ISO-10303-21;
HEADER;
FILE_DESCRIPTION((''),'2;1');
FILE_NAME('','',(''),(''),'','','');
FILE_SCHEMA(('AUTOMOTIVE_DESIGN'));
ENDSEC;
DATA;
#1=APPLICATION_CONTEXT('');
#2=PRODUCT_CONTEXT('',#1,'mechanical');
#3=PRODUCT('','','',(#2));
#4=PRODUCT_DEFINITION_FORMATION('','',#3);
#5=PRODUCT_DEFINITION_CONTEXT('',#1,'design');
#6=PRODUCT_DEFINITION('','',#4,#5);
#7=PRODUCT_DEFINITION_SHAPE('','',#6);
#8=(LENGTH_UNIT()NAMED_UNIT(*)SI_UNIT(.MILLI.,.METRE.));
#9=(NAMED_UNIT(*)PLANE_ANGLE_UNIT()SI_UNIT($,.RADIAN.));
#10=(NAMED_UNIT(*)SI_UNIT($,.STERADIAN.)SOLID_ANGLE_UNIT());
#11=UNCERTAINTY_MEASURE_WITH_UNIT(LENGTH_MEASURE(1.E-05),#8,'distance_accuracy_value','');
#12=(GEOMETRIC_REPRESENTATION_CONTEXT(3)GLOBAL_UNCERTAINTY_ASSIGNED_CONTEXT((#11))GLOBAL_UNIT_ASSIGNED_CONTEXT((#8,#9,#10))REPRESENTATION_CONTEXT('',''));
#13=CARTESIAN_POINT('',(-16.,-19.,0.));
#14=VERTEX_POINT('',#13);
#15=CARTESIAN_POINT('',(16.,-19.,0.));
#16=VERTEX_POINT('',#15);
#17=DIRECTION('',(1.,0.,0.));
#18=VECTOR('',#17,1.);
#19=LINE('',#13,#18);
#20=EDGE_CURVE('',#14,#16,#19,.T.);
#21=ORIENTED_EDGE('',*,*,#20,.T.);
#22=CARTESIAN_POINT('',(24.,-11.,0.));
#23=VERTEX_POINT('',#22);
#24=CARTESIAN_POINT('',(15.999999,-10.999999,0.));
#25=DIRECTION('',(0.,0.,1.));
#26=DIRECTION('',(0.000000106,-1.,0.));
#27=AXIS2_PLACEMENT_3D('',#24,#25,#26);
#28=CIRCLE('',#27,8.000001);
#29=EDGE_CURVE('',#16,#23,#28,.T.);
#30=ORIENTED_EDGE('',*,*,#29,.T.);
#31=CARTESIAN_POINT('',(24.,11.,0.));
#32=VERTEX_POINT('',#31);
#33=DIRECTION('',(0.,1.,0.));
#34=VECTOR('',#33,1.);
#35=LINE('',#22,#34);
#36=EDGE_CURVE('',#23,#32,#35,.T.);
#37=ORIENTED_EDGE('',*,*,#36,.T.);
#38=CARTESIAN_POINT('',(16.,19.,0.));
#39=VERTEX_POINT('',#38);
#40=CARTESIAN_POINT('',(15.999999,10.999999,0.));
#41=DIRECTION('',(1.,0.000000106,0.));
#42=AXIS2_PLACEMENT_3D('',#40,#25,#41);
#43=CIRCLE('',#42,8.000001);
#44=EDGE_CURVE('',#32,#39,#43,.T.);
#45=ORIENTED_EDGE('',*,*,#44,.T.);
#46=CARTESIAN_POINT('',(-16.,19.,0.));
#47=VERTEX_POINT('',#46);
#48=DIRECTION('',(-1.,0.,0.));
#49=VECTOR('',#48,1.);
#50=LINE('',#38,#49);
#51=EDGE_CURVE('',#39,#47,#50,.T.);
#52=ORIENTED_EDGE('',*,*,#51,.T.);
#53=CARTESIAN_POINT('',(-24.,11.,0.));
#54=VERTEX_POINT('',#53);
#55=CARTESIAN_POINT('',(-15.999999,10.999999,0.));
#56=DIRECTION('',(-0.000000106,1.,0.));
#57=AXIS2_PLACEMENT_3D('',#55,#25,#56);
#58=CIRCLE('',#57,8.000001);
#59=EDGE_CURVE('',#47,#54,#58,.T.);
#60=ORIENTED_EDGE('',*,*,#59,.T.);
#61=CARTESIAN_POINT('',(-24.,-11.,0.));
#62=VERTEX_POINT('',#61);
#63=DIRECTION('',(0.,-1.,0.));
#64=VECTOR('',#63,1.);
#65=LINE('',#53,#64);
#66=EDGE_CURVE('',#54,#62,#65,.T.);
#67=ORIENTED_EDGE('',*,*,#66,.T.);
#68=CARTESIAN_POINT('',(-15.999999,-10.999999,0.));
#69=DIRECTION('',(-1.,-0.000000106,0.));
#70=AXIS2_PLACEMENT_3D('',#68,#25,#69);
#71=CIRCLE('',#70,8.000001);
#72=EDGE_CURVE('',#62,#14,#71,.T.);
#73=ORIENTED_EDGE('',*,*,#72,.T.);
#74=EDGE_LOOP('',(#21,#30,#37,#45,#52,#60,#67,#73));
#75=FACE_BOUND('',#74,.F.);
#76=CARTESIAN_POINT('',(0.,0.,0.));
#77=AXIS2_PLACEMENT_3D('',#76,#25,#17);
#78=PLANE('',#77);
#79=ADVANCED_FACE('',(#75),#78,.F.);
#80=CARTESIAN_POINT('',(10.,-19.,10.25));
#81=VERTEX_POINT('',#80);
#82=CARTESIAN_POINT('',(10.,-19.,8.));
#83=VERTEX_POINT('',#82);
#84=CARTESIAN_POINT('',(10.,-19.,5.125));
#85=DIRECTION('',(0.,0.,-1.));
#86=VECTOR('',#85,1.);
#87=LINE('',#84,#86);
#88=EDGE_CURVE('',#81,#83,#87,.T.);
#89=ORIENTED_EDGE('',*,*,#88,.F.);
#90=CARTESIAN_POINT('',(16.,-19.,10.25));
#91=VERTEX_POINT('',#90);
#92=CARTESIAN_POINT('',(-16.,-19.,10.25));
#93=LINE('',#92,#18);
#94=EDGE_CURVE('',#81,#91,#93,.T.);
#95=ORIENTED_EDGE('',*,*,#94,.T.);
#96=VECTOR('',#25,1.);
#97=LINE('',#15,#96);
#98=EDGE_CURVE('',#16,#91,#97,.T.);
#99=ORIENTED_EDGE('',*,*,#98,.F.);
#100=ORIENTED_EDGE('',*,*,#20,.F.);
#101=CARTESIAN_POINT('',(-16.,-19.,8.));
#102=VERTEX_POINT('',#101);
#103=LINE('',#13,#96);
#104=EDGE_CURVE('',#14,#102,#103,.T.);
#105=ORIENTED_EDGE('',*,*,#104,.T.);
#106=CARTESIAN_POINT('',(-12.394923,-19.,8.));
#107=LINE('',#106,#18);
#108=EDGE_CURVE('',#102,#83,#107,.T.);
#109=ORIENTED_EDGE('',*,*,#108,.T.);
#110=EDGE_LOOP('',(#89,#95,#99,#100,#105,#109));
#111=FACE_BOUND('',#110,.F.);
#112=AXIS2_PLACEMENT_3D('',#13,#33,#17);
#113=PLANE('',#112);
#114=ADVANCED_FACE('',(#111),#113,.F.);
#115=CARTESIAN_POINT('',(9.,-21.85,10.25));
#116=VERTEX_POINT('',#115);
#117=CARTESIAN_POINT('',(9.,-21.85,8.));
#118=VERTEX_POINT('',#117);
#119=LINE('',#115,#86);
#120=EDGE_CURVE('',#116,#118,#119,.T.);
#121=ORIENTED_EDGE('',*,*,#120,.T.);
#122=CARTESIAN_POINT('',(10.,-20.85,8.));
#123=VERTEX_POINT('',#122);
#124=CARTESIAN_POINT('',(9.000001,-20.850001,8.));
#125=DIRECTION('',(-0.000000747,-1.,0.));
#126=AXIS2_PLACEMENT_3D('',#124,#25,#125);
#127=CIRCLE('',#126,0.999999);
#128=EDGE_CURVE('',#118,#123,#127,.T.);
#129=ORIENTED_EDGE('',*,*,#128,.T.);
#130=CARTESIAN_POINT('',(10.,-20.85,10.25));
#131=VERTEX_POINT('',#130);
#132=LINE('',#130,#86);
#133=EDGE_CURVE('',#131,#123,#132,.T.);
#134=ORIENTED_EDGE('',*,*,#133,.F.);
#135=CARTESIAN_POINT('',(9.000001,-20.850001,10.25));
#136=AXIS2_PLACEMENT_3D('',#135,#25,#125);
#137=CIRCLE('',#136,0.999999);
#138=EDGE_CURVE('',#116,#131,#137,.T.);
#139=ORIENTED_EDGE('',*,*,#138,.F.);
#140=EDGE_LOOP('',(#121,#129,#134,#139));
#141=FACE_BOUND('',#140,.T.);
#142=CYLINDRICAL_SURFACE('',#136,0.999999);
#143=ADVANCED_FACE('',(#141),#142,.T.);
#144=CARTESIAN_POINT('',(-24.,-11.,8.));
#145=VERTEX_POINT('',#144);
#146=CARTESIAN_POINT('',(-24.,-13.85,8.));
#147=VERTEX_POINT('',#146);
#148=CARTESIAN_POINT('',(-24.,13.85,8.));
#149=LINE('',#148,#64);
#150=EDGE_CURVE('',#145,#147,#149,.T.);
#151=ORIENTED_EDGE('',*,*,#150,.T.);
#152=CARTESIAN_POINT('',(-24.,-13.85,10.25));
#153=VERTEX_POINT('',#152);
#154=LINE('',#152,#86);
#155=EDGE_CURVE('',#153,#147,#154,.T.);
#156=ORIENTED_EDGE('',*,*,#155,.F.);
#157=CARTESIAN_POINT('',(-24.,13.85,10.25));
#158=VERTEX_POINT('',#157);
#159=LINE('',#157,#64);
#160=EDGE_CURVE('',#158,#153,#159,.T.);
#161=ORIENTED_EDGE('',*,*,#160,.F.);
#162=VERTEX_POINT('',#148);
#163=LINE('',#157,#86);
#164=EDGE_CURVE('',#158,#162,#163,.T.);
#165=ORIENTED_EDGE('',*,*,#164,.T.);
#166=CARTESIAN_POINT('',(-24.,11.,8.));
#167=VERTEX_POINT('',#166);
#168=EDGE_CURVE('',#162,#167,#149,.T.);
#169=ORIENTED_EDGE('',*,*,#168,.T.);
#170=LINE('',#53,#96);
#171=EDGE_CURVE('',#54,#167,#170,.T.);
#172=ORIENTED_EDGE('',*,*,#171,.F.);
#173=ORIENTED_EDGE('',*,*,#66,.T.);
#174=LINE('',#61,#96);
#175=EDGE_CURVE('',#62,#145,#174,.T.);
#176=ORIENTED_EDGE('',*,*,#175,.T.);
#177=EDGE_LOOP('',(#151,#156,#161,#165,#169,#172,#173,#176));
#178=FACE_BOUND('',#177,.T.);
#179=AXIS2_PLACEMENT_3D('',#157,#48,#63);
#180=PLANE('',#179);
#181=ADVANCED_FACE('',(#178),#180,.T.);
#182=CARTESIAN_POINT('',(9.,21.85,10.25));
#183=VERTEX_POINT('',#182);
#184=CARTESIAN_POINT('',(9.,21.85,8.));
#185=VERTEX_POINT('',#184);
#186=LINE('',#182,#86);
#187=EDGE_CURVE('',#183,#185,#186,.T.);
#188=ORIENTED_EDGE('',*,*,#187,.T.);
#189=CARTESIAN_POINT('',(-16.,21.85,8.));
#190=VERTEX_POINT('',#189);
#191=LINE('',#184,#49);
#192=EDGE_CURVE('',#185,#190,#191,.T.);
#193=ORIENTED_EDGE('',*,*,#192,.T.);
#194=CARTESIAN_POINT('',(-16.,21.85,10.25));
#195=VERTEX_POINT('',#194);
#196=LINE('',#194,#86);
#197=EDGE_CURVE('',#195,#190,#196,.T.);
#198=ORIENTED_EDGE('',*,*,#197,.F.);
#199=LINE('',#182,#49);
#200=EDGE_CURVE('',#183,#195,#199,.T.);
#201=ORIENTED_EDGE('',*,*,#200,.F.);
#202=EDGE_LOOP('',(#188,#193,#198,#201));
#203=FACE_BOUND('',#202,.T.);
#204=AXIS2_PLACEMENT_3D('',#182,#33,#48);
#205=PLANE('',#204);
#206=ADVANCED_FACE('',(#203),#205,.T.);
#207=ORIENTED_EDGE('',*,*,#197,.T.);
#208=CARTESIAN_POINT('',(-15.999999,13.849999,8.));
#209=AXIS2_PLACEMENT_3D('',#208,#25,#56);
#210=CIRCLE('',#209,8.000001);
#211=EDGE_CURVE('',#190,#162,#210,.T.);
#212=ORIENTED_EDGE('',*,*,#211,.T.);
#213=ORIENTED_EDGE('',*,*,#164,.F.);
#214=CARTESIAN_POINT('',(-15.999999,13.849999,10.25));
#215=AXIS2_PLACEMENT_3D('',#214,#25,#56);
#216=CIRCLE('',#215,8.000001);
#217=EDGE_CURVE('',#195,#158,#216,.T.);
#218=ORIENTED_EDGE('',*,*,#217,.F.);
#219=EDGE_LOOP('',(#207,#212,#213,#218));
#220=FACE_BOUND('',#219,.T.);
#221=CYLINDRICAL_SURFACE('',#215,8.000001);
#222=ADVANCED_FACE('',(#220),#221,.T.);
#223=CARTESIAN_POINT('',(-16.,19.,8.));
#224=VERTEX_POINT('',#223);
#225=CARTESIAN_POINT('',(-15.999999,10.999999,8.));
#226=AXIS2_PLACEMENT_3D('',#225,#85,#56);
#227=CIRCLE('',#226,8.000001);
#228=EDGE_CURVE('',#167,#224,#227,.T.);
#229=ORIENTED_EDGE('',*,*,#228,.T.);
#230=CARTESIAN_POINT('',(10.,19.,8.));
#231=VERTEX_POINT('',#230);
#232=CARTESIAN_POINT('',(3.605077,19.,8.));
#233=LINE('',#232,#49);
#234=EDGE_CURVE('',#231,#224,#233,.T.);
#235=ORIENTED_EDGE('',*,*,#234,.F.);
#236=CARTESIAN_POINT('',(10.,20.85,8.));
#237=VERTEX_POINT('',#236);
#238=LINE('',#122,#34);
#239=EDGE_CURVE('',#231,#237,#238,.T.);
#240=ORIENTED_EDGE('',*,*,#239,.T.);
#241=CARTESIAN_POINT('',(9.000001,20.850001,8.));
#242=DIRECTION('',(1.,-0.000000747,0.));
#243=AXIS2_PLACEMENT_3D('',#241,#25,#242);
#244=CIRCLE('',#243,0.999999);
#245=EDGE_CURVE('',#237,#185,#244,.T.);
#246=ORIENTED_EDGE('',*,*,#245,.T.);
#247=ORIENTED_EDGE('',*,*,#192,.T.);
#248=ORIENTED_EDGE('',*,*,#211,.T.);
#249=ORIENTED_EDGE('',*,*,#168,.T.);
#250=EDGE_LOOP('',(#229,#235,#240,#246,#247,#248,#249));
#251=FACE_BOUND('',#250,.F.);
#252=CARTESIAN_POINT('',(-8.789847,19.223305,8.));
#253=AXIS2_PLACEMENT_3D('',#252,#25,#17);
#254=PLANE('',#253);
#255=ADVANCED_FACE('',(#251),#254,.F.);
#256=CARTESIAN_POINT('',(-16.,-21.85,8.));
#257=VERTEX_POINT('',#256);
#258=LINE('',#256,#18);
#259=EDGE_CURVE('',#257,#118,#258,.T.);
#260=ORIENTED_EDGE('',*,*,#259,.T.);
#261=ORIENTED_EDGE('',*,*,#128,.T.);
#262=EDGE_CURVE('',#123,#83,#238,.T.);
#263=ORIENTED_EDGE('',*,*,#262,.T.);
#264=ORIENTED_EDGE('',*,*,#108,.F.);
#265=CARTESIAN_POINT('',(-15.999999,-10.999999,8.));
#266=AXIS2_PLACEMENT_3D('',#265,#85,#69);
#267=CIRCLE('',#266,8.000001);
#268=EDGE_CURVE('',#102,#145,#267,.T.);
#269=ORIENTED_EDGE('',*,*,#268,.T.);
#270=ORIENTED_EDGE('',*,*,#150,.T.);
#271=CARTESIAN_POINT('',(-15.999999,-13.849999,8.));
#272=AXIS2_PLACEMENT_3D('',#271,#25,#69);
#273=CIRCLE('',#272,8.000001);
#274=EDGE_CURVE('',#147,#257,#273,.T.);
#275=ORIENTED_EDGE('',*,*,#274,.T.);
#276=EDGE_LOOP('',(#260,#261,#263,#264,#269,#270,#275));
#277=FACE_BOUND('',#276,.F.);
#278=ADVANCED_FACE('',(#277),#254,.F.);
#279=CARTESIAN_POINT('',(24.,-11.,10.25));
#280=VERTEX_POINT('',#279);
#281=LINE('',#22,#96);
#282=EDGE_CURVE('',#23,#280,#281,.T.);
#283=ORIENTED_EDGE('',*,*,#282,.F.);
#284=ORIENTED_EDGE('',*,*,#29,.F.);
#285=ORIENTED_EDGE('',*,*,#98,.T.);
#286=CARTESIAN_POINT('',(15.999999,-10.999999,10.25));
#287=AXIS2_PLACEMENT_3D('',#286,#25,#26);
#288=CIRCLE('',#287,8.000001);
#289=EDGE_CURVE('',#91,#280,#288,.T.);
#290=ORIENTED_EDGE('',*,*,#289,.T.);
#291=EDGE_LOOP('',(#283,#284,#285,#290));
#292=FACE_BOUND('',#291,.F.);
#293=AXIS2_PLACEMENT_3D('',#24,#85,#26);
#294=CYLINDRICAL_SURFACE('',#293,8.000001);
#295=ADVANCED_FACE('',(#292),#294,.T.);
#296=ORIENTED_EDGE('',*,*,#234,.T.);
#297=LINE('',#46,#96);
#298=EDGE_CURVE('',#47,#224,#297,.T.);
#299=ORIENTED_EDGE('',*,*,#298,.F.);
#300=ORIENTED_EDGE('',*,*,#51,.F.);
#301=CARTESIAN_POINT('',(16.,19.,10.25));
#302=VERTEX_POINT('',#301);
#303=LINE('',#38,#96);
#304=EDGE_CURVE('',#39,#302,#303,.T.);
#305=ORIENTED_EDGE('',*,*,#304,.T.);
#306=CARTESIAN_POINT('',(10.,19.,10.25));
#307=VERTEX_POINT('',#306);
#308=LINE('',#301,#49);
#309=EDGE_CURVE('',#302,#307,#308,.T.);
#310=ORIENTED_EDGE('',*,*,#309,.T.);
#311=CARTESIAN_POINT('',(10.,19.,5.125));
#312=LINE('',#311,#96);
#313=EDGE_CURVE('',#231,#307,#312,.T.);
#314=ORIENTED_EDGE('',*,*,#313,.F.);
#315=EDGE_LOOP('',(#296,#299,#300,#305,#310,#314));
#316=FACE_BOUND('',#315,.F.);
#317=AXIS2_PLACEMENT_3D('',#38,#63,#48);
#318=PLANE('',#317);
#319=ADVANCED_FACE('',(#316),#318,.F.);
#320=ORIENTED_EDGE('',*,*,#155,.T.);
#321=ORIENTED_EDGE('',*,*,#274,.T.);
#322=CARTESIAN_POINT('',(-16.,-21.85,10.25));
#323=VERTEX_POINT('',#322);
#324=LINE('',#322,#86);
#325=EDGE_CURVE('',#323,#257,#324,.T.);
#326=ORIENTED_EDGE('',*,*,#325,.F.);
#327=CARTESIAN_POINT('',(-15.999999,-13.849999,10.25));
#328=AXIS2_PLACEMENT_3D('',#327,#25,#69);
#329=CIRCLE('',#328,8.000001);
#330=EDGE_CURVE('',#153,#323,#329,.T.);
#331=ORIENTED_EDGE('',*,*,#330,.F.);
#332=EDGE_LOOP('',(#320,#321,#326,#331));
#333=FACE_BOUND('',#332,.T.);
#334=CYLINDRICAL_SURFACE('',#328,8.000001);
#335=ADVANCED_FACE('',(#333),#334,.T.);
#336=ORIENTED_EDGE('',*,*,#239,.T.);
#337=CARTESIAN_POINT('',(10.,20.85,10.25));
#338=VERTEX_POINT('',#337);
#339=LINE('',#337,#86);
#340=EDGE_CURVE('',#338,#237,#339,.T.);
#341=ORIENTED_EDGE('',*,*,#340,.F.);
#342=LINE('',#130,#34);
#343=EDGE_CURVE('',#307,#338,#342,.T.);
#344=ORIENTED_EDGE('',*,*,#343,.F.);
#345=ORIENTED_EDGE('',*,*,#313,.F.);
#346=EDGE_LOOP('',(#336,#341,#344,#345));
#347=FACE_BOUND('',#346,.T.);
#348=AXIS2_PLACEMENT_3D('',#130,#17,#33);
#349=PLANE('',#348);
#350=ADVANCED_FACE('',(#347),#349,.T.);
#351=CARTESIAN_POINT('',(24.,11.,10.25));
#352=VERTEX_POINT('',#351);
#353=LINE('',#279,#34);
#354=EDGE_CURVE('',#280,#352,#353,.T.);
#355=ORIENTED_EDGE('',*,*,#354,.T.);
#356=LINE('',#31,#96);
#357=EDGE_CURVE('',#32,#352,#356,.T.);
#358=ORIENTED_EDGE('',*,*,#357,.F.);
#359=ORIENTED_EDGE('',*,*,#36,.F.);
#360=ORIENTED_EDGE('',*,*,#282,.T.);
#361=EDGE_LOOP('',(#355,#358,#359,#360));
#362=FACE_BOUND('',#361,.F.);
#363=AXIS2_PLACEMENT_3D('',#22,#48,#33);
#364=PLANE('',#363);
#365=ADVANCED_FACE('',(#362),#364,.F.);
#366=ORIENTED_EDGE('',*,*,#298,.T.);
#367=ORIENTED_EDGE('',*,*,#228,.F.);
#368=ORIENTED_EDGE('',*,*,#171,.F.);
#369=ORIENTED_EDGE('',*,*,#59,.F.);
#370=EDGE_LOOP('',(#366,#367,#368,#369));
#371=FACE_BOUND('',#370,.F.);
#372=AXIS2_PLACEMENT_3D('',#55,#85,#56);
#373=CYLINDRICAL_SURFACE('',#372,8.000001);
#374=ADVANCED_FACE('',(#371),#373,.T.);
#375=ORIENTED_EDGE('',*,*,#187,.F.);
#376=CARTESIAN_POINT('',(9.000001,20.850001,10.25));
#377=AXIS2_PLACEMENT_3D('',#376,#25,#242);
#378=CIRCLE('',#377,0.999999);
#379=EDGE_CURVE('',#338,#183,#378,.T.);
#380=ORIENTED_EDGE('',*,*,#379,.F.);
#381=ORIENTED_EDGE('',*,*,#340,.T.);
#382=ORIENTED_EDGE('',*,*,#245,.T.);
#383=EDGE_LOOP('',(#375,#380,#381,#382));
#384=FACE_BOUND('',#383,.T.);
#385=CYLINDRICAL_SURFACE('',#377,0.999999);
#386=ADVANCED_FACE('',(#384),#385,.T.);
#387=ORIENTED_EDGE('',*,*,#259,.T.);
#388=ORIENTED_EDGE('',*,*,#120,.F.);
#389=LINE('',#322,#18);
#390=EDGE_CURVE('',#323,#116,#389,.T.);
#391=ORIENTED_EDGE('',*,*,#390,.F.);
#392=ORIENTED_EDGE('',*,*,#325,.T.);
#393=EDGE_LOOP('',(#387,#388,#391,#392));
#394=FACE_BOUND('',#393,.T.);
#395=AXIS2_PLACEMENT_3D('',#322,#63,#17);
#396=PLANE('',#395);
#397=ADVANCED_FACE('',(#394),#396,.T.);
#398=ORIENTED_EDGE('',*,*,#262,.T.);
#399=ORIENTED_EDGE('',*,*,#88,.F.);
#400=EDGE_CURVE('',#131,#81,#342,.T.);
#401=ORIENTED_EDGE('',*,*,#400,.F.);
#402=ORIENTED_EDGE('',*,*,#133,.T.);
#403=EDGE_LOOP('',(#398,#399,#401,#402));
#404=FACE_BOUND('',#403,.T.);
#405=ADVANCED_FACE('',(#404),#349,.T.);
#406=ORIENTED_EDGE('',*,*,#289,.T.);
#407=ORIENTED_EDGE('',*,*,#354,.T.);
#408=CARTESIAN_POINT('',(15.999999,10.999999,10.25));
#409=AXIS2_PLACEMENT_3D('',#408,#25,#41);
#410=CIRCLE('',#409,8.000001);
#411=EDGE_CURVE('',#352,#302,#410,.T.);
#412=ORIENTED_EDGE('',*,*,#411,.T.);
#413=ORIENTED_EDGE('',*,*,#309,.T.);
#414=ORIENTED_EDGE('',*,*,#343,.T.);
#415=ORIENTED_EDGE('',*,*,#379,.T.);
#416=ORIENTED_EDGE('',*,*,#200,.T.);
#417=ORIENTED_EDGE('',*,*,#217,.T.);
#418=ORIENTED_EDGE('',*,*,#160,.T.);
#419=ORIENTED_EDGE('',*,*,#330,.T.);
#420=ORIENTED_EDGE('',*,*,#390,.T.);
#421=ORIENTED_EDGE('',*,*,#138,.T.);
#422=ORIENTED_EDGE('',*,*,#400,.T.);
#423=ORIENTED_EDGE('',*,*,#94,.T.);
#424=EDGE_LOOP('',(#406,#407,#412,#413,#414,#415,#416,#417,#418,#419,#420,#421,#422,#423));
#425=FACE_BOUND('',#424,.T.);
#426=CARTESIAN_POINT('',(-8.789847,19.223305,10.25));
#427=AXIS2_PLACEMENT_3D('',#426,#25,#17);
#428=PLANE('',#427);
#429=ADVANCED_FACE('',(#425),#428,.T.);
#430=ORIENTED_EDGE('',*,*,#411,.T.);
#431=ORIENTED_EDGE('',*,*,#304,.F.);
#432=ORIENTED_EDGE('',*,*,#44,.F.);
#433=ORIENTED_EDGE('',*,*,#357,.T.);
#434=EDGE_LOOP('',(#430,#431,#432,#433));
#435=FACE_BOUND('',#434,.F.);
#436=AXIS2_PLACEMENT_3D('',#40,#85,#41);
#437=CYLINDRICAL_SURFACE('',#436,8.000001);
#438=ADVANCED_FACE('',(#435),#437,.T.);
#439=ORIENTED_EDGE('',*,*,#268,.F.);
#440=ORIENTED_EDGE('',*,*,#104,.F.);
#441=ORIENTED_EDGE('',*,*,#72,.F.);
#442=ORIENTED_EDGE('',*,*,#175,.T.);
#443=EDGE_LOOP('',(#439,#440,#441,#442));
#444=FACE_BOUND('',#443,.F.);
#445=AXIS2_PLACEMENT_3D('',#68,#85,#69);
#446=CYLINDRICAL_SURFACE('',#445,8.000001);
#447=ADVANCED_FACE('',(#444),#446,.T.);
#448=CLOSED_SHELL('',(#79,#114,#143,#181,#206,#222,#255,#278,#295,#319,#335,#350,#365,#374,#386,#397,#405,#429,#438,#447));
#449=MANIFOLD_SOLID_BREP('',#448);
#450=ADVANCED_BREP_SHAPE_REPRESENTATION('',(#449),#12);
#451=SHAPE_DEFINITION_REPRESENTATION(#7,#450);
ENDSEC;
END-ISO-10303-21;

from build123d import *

# Parameters (mm, degrees)
F1_DEPTH = 10.25
F3_DEPTH = 2.25


with BuildPart() as f1:
    # F0 (on Top) → F1 (new body)
    with BuildSketch(Plane.XY):
        with BuildLine():
            Line((-16, -19), (16, -19))
            ThreePointArc((16, -19), (21.656854, -16.656854), (24, -11))
            Line((24, -11), (24, 11))
            ThreePointArc((24, 11), (21.656854, 16.656854), (16, 19))
            Line((16, 19), (-16, 19))
            ThreePointArc((-16, 19), (-21.656854, 16.656854), (-24, 11))
            Line((-24, 11), (-24, -11))
            ThreePointArc((-24, -11), (-21.656854, -16.656854), (-16, -19))
        make_face()
    extrude(amount=F1_DEPTH)

    # F2 (on face) → F3 (join)
    with BuildSketch(Plane.XY.offset(10.25)):
        with BuildLine():
            Line((9, 21.85), (-16, 21.85))
            ThreePointArc((-16, 21.85), (-21.656854, 19.506854), (-24, 13.85))
            Line((-24, 13.85), (-24, 11))
            ThreePointArc((-24, 11), (-21.656854, 16.656854), (-16, 19))
            Line((-16, 19), (10, 19))
            Line((10, 19), (10, 20.85))
            ThreePointArc((10, 20.85), (9.707107, 21.557107), (9, 21.85))
        make_face()
        with BuildLine():
            ThreePointArc((-16, -19), (-21.656854, -16.656854), (-24, -11))
            Line((-24, -11), (-24, -13.85))
            ThreePointArc((-24, -13.85), (-21.656854, -19.506854), (-16, -21.85))
            Line((-16, -21.85), (9, -21.85))
            ThreePointArc((9, -21.85), (9.707107, -21.557107), (10, -20.85))
            Line((10, -20.85), (10, -19))
            Line((10, -19), (-16, -19))
        make_face()
        with BuildLine():
            ThreePointArc((-16, 19), (-21.656854, 16.656854), (-24, 11))
            Line((-24, 11), (-24, -11))
            ThreePointArc((-24, -11), (-21.656854, -16.656854), (-16, -19))
            Line((-16, -19), (10, -19))
            Line((10, -19), (10, 19))
            Line((10, 19), (-16, 19))
        make_face()
    extrude(amount=-F3_DEPTH)


solid = f1.part
